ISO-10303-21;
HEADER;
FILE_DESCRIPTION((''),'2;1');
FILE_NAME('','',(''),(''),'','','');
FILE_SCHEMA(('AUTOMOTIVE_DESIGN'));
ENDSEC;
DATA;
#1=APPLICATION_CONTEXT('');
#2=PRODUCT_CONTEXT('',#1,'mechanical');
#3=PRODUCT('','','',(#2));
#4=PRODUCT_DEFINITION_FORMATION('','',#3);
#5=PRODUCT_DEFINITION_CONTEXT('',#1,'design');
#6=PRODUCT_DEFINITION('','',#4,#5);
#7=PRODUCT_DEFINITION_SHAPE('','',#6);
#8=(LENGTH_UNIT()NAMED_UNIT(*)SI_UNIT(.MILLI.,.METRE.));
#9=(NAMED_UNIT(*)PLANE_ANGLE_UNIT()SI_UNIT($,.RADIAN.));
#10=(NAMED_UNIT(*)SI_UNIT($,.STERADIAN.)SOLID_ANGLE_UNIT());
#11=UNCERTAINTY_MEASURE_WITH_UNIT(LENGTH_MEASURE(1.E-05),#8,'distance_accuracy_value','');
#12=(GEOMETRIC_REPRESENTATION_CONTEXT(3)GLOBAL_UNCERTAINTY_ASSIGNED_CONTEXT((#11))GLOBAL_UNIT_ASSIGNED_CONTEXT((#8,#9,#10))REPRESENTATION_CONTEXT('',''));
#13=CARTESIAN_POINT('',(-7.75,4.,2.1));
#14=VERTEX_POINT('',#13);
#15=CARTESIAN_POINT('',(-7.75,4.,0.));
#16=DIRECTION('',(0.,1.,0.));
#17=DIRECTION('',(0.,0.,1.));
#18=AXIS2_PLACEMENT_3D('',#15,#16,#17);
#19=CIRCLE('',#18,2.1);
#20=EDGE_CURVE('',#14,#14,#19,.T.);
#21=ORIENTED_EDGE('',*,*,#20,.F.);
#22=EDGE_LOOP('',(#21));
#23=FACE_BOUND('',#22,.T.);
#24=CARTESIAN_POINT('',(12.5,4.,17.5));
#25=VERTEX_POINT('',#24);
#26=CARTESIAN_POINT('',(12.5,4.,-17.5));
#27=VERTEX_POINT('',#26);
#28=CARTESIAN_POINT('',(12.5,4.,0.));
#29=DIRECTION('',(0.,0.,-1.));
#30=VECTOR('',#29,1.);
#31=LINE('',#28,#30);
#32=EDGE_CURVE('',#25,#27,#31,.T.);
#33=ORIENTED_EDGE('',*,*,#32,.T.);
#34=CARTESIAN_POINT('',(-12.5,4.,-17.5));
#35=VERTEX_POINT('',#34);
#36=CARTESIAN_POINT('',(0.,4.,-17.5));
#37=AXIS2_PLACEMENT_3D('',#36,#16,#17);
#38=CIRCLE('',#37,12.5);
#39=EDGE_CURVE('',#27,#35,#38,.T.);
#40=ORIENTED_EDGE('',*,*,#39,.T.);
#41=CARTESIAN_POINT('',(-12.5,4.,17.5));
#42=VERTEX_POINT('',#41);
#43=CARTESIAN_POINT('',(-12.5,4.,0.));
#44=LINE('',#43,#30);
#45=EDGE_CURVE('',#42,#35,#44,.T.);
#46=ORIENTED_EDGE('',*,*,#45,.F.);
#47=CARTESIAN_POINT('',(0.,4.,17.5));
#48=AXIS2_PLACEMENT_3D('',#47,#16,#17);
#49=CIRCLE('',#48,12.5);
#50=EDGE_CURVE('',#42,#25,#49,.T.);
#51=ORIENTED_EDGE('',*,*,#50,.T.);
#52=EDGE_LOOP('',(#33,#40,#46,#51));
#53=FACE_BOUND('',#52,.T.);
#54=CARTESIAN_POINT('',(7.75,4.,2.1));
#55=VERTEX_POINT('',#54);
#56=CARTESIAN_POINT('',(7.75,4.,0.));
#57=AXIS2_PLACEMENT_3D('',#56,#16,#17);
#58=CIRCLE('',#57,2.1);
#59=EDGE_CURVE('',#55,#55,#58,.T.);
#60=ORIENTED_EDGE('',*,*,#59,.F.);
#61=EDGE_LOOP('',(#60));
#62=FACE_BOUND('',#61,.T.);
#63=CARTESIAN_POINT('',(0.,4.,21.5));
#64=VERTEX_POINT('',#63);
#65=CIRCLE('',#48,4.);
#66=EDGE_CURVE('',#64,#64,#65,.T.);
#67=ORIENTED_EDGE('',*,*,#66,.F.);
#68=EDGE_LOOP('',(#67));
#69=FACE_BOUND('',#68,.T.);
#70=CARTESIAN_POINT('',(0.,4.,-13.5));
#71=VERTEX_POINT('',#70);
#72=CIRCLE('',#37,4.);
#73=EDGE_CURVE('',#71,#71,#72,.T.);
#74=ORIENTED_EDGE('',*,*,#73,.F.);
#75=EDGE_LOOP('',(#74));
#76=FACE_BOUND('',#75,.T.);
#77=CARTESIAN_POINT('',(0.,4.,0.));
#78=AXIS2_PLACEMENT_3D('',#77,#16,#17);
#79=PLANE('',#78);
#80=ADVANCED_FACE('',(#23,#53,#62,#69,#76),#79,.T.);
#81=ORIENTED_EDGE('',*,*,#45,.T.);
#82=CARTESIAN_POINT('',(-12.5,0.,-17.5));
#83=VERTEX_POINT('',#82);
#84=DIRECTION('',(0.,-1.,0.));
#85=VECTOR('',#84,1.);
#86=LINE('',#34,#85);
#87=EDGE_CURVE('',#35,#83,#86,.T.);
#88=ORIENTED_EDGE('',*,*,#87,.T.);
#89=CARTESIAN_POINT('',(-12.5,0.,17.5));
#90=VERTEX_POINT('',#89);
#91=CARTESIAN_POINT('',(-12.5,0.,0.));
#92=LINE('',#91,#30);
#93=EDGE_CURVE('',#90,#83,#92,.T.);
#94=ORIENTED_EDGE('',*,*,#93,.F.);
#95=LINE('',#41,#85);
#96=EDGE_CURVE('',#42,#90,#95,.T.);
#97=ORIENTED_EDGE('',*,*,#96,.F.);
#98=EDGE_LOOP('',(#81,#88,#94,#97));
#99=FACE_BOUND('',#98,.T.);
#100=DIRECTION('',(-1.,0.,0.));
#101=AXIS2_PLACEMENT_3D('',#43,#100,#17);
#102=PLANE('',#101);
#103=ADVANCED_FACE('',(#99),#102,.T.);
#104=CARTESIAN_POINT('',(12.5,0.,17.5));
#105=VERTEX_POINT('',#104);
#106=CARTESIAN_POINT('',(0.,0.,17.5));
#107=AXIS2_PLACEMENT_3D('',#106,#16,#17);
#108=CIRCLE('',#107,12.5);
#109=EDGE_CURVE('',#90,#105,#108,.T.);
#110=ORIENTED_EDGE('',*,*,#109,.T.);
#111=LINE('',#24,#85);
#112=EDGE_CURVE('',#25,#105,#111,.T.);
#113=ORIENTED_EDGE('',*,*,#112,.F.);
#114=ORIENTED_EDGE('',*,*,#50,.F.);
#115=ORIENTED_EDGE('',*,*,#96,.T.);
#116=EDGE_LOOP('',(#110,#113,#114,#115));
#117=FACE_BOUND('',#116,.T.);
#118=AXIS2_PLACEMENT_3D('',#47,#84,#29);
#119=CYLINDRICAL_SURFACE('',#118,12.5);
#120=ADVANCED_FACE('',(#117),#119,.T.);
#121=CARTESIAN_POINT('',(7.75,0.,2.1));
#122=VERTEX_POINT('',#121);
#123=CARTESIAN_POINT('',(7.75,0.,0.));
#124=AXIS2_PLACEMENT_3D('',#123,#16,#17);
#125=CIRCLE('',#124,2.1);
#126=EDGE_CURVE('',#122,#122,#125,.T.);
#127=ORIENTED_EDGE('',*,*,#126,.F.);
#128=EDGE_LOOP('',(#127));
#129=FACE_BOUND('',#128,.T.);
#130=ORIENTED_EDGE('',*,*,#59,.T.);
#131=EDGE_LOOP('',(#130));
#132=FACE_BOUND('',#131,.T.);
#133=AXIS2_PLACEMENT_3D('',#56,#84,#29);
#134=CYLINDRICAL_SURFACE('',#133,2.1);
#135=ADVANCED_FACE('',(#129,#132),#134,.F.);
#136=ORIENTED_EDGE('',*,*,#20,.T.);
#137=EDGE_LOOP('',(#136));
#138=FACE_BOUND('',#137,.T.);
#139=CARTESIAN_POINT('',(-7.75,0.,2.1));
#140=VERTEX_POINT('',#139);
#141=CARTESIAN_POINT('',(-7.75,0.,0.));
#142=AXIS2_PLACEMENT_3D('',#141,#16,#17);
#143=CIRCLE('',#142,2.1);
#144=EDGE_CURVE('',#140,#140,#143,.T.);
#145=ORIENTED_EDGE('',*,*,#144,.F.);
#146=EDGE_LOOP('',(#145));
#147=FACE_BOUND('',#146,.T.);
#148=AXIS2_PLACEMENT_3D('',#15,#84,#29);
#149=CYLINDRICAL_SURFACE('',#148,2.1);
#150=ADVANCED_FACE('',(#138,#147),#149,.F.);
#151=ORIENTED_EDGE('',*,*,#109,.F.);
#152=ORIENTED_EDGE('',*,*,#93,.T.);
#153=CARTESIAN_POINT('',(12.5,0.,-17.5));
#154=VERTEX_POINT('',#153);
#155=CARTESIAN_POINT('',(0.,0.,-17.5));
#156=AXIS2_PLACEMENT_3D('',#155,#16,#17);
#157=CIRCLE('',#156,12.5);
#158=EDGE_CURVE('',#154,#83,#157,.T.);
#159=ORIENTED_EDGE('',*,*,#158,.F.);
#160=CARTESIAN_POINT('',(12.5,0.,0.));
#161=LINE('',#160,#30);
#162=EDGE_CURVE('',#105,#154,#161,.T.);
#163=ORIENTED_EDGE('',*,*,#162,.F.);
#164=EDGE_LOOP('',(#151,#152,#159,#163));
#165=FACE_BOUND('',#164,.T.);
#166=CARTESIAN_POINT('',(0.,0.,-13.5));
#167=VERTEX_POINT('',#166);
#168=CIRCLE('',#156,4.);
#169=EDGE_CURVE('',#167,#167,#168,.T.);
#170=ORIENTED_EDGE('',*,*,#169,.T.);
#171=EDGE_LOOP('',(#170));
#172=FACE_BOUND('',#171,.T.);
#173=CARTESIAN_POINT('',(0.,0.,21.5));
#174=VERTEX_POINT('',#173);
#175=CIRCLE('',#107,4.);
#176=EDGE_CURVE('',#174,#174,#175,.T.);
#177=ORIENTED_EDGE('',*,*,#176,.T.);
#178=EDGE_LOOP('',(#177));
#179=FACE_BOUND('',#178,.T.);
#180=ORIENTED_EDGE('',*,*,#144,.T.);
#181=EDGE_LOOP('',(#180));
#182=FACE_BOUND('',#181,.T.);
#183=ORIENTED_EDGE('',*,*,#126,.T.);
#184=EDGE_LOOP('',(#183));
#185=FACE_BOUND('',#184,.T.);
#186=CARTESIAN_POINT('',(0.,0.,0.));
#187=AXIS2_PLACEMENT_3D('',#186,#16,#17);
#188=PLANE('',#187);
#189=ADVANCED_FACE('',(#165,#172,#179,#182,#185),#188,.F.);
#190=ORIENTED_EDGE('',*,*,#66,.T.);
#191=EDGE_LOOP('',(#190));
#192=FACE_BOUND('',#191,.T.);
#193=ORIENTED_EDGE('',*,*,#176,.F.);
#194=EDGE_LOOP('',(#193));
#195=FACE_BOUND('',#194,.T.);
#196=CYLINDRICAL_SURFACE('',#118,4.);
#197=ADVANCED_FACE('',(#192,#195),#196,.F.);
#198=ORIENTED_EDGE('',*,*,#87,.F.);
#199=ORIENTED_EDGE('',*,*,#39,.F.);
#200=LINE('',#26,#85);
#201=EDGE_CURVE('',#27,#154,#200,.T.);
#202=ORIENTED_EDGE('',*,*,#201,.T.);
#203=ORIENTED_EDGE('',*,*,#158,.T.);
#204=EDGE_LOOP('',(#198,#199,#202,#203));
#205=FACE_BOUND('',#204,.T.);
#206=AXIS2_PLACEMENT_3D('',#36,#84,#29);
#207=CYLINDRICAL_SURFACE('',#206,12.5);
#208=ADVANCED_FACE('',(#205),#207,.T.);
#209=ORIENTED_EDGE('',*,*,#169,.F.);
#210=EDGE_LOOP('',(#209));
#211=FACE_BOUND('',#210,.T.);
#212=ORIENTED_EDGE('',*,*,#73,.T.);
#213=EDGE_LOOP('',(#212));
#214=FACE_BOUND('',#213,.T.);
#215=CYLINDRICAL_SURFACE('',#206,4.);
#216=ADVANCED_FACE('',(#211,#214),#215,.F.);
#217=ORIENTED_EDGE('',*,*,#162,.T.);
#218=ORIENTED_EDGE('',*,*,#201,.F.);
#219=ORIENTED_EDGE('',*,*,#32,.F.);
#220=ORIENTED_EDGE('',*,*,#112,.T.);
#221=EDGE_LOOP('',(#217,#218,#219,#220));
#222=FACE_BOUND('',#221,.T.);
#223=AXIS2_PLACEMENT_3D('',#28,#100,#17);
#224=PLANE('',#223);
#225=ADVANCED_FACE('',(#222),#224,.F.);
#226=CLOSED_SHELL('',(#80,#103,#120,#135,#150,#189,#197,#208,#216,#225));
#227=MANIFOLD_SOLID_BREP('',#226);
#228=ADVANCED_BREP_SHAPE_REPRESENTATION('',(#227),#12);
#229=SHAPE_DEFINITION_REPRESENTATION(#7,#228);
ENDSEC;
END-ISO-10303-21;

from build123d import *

# Parameters (mm, degrees)
SKETCH1_R           = 12.5
SKETCH1_R_2         = 4
SKETCH1_R_3         = 2.1
BOSS_EXTRUDE1_DEPTH = 4


with BuildPart() as part:
    # Sketch1 → Boss-Extrude1 (new body)
    with BuildSketch(Plane(origin=(0, 0, 0), x_dir=(1, 0, 0), z_dir=(0, 1, 0))):
        with Locations((0, 17.5)):
            Circle(SKETCH1_R)
        with Locations((0, 17.5)):
            Circle(SKETCH1_R_2, mode=Mode.SUBTRACT)
        with BuildLine():
            ThreePointArc((-12.5, -17.5), (0, -5), (12.5, -17.5))
            Line((12.5, -17.5), (12.5, 17.5))
            ThreePointArc((12.5, 17.5), (-1.8e-08, 5), (-12.5, 17.500000037))
            Line((-12.5, 17.500000037), (-12.5, -17.5))
        make_face()
        with Locations((-7.75, 0)):
            Circle(SKETCH1_R_3, mode=Mode.SUBTRACT)
        with Locations((7.75, 0)):
            Circle(SKETCH1_R_3, mode=Mode.SUBTRACT)
        with Locations((0, -17.5)):
            Circle(SKETCH1_R)
        with Locations((0, -17.5)):
            Circle(SKETCH1_R_2, mode=Mode.SUBTRACT)
    extrude(amount=BOSS_EXTRUDE1_DEPTH)


solid = part.part
